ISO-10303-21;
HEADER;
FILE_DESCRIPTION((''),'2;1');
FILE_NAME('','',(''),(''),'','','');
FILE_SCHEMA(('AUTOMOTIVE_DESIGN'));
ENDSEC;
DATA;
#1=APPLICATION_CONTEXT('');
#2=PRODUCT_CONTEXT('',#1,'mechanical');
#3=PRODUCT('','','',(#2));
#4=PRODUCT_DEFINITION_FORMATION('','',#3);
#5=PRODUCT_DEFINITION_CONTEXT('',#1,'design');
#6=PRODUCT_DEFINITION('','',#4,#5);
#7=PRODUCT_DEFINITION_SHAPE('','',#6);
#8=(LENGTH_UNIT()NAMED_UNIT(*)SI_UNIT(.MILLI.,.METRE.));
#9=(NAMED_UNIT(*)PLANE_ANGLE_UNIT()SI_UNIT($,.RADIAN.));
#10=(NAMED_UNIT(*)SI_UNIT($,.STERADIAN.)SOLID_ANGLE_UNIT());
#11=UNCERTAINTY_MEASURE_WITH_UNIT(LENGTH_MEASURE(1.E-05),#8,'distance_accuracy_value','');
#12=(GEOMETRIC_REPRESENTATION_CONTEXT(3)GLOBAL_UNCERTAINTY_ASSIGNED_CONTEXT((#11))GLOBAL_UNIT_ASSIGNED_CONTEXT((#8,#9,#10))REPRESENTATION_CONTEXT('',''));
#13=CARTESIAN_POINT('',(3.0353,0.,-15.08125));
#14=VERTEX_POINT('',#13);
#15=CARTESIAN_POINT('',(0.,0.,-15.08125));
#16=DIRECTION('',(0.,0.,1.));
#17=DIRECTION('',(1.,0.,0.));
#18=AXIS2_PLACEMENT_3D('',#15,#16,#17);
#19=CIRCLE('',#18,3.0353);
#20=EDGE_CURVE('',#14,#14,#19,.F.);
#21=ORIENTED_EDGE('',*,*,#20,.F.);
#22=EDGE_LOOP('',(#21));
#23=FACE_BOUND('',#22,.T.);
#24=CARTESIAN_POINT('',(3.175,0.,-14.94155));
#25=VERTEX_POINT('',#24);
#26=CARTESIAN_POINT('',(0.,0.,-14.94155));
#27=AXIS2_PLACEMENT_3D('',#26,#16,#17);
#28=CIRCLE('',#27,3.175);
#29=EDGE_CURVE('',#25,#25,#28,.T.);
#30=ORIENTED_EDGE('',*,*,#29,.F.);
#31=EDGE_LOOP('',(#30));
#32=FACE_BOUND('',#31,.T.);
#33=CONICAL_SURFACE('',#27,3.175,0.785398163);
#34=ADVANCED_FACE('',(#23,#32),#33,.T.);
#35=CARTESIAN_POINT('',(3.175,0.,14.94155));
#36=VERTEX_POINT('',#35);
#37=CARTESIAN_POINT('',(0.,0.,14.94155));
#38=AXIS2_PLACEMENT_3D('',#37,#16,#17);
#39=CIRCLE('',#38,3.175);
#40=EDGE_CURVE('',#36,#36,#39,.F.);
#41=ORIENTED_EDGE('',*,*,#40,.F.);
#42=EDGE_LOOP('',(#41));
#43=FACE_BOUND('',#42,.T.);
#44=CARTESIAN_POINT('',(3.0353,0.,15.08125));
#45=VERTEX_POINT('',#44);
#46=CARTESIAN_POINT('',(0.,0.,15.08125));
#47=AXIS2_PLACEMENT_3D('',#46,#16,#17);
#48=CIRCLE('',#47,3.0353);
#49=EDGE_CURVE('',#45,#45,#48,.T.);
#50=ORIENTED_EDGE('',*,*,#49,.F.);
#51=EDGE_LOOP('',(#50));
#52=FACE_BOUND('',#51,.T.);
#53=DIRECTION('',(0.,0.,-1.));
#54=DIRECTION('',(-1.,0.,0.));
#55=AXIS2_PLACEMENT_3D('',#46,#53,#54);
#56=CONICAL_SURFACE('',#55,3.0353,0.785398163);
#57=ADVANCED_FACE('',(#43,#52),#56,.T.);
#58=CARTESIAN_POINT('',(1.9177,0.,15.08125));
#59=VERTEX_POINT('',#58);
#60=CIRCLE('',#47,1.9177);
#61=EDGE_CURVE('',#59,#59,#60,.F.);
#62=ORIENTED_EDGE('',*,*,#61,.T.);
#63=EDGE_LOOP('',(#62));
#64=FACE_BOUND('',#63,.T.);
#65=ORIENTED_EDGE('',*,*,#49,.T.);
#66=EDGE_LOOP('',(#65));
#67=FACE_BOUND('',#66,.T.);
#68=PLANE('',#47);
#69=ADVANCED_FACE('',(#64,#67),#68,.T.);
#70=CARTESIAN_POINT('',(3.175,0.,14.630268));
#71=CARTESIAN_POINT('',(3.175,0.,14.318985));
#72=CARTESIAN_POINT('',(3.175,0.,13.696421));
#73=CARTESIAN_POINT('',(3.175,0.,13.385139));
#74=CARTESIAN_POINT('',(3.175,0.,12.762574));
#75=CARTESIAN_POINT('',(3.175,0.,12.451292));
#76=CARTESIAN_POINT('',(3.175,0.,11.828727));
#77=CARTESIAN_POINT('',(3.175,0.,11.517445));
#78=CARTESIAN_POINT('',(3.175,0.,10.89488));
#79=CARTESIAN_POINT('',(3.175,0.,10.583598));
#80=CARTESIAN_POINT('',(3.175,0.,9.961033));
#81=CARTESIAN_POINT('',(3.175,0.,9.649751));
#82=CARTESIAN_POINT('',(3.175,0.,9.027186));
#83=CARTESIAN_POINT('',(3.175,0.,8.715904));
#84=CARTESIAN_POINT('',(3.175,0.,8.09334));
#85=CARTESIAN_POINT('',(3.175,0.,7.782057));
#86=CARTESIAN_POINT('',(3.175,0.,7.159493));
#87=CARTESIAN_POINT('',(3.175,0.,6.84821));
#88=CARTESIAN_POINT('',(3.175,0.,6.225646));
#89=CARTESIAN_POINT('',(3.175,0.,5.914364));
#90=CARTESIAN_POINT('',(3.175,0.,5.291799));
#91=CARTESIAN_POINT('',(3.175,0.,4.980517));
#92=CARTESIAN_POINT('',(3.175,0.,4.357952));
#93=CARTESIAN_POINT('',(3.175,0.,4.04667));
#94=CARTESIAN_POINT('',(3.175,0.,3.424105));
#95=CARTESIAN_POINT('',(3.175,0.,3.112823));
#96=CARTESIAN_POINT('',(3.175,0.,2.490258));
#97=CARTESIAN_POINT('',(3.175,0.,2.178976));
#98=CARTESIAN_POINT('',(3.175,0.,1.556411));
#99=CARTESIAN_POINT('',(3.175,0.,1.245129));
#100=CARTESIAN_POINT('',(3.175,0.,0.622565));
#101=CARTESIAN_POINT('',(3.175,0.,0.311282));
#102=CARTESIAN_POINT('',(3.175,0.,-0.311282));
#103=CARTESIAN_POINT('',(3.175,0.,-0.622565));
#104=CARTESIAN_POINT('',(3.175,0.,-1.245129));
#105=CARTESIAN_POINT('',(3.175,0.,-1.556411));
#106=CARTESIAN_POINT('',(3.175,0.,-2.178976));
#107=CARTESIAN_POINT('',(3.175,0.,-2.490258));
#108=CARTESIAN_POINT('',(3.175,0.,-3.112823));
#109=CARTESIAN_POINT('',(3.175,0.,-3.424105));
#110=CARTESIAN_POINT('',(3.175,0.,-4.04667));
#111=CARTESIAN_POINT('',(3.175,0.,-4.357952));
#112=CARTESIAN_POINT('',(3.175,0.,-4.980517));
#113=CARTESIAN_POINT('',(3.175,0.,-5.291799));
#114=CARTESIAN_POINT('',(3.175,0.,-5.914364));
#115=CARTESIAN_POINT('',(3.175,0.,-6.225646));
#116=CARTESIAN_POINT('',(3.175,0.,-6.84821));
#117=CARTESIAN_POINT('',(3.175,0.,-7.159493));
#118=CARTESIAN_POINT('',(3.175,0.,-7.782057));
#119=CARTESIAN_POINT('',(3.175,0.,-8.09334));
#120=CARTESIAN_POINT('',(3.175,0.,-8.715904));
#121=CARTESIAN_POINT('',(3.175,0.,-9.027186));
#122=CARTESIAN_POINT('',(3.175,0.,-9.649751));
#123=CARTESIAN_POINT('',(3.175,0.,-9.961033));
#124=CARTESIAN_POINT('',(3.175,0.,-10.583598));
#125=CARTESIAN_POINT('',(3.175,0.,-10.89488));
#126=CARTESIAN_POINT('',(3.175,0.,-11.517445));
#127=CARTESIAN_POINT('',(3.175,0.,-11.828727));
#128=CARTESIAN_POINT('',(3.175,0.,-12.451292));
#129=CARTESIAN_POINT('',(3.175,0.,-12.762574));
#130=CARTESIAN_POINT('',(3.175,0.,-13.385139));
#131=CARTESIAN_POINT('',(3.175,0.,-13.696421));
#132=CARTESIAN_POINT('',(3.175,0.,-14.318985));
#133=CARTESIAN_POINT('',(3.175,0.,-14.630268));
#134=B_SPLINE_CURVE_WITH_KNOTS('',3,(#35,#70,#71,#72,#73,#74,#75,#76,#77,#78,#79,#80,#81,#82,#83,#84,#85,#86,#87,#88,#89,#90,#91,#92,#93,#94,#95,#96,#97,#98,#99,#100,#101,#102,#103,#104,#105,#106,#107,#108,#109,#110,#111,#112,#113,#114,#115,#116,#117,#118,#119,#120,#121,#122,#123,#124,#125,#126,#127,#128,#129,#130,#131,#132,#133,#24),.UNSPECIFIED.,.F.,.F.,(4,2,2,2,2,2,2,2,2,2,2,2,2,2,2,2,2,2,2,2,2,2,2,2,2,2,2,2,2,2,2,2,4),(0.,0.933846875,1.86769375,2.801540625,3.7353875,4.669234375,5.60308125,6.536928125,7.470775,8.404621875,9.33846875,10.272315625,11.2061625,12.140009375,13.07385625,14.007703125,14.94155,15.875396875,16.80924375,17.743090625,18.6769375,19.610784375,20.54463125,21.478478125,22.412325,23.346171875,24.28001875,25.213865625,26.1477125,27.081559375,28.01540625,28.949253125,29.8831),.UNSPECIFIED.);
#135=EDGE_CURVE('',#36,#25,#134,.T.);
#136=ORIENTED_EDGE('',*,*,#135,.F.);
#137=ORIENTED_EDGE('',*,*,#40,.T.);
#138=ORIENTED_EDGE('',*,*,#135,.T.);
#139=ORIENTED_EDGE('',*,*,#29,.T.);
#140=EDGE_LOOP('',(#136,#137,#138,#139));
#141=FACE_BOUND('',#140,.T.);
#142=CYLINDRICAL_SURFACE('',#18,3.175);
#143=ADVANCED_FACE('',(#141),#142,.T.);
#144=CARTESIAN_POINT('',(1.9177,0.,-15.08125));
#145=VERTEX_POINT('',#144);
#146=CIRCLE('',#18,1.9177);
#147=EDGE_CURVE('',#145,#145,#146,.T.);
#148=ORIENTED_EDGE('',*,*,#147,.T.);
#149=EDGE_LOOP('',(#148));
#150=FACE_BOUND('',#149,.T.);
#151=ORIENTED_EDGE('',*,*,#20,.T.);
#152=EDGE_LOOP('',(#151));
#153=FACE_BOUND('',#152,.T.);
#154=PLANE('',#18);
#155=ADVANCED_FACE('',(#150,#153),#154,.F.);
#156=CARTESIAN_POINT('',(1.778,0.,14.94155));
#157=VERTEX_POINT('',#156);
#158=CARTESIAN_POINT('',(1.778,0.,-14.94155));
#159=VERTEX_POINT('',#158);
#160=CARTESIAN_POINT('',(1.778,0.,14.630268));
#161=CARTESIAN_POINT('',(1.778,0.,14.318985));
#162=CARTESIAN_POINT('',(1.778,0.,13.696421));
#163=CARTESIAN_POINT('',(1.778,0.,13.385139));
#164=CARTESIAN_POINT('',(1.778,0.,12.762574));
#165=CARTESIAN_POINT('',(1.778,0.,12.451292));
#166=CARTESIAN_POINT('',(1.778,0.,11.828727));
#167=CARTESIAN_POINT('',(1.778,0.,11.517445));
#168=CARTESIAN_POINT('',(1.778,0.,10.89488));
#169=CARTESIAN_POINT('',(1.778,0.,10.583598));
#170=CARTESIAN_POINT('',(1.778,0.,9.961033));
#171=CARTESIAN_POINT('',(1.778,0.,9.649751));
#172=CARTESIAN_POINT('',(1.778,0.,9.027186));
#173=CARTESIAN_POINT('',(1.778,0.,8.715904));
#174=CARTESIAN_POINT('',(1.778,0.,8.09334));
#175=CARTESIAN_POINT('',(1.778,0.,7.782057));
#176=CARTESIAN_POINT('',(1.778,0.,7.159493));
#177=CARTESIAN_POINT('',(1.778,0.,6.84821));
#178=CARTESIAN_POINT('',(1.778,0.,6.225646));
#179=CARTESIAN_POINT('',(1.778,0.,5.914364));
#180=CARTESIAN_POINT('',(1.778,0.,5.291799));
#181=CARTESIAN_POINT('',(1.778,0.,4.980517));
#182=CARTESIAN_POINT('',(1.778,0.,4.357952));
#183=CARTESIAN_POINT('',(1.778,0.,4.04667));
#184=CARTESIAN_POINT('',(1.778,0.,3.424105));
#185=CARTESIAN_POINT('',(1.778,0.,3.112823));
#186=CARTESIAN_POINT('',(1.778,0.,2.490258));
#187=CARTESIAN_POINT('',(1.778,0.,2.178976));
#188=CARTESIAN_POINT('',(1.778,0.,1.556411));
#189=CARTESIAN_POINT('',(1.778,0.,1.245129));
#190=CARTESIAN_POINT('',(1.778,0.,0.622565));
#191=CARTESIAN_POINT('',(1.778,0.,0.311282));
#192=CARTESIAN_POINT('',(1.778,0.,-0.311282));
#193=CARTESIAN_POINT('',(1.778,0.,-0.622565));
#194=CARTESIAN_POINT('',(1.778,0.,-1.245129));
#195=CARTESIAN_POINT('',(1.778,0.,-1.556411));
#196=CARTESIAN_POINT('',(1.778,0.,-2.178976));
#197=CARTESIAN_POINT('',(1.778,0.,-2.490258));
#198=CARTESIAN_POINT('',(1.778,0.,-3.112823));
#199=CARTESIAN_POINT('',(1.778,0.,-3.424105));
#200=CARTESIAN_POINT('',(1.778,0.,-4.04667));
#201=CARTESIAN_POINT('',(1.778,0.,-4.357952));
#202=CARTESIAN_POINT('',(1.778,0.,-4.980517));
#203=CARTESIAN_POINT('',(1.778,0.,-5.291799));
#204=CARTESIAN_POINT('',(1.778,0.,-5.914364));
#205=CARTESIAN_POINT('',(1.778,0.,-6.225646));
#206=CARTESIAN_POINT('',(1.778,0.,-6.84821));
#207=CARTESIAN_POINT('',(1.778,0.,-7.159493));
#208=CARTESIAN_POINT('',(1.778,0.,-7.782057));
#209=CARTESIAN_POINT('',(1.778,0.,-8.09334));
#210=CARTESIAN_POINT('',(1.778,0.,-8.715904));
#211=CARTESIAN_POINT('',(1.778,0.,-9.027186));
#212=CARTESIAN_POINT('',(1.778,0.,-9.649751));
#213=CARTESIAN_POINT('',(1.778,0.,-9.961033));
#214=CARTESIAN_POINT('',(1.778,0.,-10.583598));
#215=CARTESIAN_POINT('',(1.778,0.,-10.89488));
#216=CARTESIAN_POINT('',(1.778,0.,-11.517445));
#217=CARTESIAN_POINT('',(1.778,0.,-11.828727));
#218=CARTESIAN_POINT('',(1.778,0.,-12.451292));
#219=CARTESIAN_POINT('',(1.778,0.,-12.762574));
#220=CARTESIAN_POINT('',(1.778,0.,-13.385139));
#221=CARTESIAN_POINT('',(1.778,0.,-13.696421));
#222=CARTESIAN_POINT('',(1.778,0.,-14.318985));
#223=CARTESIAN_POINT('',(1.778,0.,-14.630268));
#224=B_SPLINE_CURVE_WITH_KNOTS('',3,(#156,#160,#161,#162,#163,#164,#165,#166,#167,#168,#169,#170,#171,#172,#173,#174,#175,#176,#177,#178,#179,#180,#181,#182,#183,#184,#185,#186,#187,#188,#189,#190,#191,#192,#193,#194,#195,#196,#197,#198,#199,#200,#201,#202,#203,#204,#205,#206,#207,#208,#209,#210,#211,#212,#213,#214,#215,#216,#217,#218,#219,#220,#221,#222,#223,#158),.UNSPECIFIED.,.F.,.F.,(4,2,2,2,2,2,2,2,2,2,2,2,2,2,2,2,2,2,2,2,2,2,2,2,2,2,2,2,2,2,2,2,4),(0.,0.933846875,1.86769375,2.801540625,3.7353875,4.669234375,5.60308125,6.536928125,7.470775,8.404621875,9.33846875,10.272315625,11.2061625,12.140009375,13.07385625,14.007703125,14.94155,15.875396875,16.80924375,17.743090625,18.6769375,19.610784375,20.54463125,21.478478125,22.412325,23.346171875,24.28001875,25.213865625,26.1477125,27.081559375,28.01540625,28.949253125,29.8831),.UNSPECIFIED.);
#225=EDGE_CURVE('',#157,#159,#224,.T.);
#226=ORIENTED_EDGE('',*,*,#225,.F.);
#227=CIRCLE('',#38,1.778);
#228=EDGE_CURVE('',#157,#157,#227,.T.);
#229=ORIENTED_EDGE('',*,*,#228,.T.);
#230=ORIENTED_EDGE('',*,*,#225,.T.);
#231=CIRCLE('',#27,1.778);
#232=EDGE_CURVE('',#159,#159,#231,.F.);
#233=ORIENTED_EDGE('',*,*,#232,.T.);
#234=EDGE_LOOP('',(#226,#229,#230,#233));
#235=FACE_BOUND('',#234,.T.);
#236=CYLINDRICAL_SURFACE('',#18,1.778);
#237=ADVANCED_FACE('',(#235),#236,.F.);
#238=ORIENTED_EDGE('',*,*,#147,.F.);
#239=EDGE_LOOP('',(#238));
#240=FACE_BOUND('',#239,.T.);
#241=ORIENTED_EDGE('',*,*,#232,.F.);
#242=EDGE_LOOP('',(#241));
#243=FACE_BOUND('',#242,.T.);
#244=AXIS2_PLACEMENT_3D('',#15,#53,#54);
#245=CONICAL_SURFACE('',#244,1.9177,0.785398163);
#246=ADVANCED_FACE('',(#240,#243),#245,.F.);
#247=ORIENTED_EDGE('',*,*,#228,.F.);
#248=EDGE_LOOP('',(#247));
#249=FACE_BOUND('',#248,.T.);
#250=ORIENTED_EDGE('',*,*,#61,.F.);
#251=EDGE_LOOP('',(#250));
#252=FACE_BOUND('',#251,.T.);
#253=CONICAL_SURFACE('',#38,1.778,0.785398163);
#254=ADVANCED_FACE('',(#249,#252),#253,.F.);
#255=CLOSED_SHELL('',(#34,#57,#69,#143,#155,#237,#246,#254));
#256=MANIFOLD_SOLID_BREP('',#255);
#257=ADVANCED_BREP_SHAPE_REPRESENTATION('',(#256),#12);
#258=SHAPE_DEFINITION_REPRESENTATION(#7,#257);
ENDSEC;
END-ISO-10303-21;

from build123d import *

# Parameters (mm, degrees)
BOSS_EXTRUDE1_DEPTH      = 15.08125
BOSS_EXTRUDE1_DEPTH_BACK = 15.08125
SKETCH3_R                = 3.175
SKETCH3_R_2              = 1.778
CHAMFER1_SIZE            = 0.1397


with BuildPart() as part:
    # Sketch3 → Boss-Extrude1 (new, two sides: drawn at the far end of the back side and taken through both)
    with BuildSketch(Plane.XY.offset(-BOSS_EXTRUDE1_DEPTH_BACK)):
        Circle(SKETCH3_R)
        Circle(SKETCH3_R_2, mode=Mode.SUBTRACT)
    extrude(amount=BOSS_EXTRUDE1_DEPTH + BOSS_EXTRUDE1_DEPTH_BACK)

    # Chamfer1
    chamfer1_edges = [part.edges().sort_by_distance(p)[0] for p in [
        (-3.175, 0, -15.08125),
        (-1.778, 0, -15.08125),
        (-3.175, 0, 15.08125),
        (-1.778, 0, 15.08125),
    ]]
    chamfer(chamfer1_edges, length=CHAMFER1_SIZE)


solid = part.part
